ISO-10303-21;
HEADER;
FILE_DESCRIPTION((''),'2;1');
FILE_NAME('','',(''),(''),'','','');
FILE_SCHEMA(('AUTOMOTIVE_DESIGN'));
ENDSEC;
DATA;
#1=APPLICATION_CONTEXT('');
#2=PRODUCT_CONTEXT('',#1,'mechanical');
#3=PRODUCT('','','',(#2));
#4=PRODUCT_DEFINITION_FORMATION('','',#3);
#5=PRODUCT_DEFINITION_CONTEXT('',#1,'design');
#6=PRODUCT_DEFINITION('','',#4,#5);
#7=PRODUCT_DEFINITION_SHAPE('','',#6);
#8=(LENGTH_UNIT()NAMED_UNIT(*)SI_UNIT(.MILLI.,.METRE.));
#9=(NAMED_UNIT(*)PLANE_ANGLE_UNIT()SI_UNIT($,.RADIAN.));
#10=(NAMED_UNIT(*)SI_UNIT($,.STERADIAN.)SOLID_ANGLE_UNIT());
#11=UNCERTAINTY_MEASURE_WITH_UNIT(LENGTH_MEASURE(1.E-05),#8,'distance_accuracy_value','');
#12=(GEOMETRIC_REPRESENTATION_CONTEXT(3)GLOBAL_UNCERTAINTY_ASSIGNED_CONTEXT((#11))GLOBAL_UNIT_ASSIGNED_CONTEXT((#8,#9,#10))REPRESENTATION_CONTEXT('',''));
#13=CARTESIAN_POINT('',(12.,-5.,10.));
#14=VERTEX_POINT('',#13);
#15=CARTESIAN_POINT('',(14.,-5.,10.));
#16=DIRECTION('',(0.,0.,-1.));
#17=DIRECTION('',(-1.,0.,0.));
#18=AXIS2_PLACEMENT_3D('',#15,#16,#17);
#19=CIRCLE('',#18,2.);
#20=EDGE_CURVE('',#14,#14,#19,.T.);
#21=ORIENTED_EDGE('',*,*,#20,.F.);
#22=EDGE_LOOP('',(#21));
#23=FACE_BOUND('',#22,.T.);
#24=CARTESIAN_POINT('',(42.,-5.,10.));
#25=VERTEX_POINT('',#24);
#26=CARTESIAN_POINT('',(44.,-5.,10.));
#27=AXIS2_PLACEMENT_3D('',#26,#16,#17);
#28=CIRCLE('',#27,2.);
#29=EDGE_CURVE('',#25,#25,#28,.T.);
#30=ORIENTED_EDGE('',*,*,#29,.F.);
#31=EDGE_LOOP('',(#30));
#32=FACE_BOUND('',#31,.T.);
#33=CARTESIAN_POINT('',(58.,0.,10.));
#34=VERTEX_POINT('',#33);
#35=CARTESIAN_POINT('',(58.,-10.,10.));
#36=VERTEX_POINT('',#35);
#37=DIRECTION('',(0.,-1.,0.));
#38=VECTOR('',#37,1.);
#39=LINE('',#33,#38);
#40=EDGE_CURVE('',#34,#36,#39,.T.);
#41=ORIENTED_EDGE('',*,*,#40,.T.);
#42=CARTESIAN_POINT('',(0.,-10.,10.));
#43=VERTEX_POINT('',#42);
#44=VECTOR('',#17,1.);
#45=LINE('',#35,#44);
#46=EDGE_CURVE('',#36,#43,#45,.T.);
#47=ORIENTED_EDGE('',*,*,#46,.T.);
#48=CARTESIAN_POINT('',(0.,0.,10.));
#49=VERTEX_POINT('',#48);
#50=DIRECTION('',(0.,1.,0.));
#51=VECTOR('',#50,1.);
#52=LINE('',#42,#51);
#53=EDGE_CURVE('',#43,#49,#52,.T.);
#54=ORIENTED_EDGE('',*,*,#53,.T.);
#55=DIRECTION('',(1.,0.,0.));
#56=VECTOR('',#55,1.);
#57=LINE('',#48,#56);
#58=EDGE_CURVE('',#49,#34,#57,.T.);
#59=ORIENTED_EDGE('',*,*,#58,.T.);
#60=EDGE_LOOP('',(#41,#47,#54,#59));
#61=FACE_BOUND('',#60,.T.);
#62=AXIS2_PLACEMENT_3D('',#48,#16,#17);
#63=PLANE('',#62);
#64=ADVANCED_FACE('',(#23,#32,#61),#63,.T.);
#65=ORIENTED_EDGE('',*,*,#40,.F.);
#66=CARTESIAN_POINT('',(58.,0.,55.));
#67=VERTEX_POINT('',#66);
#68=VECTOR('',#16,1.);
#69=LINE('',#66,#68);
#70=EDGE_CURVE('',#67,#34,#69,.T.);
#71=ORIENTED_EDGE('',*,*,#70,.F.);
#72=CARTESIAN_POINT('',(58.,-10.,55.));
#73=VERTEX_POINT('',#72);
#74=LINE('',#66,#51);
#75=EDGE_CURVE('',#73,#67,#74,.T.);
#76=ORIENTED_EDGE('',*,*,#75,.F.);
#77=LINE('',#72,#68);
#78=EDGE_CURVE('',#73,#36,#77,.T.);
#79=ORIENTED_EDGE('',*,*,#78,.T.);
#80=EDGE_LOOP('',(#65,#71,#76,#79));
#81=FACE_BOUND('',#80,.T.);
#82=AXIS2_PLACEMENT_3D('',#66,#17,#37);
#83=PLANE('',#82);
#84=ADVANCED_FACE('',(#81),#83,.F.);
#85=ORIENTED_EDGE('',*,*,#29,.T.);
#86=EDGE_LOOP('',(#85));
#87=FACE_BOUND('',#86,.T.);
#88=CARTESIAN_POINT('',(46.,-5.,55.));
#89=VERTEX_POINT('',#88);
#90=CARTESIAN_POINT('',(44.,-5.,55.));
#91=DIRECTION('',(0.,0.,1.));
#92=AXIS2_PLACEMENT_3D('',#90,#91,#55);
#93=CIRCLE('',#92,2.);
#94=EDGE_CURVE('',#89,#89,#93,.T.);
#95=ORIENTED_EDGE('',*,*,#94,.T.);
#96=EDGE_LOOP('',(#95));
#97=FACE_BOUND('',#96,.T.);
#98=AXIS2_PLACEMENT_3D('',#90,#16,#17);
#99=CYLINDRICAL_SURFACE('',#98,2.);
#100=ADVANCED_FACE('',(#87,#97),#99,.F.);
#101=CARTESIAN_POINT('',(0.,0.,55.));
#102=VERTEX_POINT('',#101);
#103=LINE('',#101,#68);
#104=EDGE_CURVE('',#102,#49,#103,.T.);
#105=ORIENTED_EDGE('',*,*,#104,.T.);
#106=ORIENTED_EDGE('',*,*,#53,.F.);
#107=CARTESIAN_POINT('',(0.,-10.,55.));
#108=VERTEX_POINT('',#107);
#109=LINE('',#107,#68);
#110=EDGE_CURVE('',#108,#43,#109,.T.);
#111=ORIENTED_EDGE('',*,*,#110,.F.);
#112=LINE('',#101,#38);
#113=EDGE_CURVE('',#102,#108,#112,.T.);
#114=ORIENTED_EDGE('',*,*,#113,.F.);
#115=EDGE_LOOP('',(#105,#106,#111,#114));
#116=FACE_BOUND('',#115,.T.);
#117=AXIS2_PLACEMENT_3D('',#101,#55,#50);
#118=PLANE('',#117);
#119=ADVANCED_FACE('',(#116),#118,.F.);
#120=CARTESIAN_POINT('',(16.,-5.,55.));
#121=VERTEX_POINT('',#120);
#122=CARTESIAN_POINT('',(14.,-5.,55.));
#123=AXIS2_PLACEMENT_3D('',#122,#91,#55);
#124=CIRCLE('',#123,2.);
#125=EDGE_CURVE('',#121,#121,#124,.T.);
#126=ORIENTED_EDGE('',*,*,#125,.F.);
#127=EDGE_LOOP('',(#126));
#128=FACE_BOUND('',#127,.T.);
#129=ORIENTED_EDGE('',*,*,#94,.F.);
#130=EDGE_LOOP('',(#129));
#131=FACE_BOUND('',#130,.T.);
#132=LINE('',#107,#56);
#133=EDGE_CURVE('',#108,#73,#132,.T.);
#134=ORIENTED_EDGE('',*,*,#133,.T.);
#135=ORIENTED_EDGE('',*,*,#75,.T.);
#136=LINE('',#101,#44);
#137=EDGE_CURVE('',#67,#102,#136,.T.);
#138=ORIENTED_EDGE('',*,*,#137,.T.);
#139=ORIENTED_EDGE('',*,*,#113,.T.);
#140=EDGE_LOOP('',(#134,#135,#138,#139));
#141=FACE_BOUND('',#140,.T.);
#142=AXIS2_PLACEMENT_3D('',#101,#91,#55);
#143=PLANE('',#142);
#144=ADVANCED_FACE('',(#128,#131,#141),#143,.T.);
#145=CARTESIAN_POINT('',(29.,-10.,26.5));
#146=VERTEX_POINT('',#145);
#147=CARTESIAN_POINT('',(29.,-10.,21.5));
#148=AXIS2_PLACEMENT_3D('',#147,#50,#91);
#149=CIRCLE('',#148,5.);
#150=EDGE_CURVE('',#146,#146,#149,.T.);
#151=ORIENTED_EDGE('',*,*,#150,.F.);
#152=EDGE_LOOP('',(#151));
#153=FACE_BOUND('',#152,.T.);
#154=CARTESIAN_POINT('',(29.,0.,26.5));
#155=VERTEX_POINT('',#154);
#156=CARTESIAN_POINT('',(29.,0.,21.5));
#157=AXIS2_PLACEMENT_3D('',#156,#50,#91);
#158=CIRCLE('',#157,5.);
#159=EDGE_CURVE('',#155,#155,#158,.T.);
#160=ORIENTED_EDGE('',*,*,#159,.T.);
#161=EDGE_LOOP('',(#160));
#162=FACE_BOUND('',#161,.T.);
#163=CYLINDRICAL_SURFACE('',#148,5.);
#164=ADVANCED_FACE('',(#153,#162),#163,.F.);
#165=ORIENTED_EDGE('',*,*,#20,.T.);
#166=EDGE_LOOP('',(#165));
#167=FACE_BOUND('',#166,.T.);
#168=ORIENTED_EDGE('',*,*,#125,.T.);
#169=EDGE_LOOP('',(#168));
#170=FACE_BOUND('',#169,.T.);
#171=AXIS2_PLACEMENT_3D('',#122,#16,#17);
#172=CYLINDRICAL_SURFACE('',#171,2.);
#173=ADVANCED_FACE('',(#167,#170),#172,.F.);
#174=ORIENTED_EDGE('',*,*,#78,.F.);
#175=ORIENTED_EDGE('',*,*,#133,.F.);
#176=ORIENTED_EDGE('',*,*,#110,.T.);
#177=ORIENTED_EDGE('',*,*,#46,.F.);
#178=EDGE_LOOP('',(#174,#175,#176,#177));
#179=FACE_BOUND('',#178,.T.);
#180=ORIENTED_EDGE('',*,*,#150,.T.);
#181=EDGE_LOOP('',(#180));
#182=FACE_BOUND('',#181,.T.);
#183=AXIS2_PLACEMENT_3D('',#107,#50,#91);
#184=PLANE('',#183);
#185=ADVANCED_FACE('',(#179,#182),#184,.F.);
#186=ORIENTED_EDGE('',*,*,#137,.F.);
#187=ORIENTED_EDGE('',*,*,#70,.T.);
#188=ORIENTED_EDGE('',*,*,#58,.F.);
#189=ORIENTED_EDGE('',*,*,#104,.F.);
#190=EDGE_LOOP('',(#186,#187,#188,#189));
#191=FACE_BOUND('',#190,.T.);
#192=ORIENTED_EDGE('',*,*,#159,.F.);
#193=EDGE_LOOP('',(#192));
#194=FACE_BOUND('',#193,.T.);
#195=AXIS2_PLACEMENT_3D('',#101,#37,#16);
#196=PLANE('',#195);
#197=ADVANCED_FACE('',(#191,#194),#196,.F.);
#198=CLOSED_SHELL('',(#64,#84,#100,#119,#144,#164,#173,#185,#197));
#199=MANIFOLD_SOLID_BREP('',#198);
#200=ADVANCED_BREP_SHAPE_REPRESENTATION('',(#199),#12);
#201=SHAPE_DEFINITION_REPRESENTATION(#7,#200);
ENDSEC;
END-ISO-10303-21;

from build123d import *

# Parameters (mm, degrees)
SKETCH1_W           = 58
SKETCH1_H           = 10
SKETCH1_R           = 2
BOSS_EXTRUDE1_DEPTH = 55
SKETCH3_W           = 58
SKETCH3_H           = 10
CUT_EXTRUDE3_DEPTH  = 10
SKETCH4_R           = 5
CUT_EXTRUDE4_DEPTH  = 10


with BuildPart() as part:
    # Sketch1 → Boss-Extrude1 (new body)
    with BuildSketch(Plane.XY):
        with Locations((29, -5)):
            Rectangle(SKETCH1_W, SKETCH1_H)
        with Locations((14, -5)):
            Circle(SKETCH1_R, mode=Mode.SUBTRACT)
        with Locations((44, -5)):
            Circle(SKETCH1_R, mode=Mode.SUBTRACT)
    extrude(amount=BOSS_EXTRUDE1_DEPTH)

    # Sketch3 → Cut-Extrude3 (cut)
    with BuildSketch(Plane(origin=(0, 0, 0), x_dir=(-1, 0, 0), z_dir=(0, 0, -1))):
        with Locations((-29, -5)):
            Rectangle(SKETCH3_W, SKETCH3_H)
    extrude(amount=-CUT_EXTRUDE3_DEPTH, mode=Mode.SUBTRACT)

    # Sketch4 → Cut-Extrude4 (cut)
    with BuildSketch(Plane(origin=(0, 0, 0), x_dir=(1, 0, 0), z_dir=(0, 1, 0))):
        with Locations(Location((29, -21.5, 0), (0, 0, 270))):
            Circle(SKETCH4_R)
    extrude(amount=-CUT_EXTRUDE4_DEPTH, mode=Mode.SUBTRACT)


solid = part.part
